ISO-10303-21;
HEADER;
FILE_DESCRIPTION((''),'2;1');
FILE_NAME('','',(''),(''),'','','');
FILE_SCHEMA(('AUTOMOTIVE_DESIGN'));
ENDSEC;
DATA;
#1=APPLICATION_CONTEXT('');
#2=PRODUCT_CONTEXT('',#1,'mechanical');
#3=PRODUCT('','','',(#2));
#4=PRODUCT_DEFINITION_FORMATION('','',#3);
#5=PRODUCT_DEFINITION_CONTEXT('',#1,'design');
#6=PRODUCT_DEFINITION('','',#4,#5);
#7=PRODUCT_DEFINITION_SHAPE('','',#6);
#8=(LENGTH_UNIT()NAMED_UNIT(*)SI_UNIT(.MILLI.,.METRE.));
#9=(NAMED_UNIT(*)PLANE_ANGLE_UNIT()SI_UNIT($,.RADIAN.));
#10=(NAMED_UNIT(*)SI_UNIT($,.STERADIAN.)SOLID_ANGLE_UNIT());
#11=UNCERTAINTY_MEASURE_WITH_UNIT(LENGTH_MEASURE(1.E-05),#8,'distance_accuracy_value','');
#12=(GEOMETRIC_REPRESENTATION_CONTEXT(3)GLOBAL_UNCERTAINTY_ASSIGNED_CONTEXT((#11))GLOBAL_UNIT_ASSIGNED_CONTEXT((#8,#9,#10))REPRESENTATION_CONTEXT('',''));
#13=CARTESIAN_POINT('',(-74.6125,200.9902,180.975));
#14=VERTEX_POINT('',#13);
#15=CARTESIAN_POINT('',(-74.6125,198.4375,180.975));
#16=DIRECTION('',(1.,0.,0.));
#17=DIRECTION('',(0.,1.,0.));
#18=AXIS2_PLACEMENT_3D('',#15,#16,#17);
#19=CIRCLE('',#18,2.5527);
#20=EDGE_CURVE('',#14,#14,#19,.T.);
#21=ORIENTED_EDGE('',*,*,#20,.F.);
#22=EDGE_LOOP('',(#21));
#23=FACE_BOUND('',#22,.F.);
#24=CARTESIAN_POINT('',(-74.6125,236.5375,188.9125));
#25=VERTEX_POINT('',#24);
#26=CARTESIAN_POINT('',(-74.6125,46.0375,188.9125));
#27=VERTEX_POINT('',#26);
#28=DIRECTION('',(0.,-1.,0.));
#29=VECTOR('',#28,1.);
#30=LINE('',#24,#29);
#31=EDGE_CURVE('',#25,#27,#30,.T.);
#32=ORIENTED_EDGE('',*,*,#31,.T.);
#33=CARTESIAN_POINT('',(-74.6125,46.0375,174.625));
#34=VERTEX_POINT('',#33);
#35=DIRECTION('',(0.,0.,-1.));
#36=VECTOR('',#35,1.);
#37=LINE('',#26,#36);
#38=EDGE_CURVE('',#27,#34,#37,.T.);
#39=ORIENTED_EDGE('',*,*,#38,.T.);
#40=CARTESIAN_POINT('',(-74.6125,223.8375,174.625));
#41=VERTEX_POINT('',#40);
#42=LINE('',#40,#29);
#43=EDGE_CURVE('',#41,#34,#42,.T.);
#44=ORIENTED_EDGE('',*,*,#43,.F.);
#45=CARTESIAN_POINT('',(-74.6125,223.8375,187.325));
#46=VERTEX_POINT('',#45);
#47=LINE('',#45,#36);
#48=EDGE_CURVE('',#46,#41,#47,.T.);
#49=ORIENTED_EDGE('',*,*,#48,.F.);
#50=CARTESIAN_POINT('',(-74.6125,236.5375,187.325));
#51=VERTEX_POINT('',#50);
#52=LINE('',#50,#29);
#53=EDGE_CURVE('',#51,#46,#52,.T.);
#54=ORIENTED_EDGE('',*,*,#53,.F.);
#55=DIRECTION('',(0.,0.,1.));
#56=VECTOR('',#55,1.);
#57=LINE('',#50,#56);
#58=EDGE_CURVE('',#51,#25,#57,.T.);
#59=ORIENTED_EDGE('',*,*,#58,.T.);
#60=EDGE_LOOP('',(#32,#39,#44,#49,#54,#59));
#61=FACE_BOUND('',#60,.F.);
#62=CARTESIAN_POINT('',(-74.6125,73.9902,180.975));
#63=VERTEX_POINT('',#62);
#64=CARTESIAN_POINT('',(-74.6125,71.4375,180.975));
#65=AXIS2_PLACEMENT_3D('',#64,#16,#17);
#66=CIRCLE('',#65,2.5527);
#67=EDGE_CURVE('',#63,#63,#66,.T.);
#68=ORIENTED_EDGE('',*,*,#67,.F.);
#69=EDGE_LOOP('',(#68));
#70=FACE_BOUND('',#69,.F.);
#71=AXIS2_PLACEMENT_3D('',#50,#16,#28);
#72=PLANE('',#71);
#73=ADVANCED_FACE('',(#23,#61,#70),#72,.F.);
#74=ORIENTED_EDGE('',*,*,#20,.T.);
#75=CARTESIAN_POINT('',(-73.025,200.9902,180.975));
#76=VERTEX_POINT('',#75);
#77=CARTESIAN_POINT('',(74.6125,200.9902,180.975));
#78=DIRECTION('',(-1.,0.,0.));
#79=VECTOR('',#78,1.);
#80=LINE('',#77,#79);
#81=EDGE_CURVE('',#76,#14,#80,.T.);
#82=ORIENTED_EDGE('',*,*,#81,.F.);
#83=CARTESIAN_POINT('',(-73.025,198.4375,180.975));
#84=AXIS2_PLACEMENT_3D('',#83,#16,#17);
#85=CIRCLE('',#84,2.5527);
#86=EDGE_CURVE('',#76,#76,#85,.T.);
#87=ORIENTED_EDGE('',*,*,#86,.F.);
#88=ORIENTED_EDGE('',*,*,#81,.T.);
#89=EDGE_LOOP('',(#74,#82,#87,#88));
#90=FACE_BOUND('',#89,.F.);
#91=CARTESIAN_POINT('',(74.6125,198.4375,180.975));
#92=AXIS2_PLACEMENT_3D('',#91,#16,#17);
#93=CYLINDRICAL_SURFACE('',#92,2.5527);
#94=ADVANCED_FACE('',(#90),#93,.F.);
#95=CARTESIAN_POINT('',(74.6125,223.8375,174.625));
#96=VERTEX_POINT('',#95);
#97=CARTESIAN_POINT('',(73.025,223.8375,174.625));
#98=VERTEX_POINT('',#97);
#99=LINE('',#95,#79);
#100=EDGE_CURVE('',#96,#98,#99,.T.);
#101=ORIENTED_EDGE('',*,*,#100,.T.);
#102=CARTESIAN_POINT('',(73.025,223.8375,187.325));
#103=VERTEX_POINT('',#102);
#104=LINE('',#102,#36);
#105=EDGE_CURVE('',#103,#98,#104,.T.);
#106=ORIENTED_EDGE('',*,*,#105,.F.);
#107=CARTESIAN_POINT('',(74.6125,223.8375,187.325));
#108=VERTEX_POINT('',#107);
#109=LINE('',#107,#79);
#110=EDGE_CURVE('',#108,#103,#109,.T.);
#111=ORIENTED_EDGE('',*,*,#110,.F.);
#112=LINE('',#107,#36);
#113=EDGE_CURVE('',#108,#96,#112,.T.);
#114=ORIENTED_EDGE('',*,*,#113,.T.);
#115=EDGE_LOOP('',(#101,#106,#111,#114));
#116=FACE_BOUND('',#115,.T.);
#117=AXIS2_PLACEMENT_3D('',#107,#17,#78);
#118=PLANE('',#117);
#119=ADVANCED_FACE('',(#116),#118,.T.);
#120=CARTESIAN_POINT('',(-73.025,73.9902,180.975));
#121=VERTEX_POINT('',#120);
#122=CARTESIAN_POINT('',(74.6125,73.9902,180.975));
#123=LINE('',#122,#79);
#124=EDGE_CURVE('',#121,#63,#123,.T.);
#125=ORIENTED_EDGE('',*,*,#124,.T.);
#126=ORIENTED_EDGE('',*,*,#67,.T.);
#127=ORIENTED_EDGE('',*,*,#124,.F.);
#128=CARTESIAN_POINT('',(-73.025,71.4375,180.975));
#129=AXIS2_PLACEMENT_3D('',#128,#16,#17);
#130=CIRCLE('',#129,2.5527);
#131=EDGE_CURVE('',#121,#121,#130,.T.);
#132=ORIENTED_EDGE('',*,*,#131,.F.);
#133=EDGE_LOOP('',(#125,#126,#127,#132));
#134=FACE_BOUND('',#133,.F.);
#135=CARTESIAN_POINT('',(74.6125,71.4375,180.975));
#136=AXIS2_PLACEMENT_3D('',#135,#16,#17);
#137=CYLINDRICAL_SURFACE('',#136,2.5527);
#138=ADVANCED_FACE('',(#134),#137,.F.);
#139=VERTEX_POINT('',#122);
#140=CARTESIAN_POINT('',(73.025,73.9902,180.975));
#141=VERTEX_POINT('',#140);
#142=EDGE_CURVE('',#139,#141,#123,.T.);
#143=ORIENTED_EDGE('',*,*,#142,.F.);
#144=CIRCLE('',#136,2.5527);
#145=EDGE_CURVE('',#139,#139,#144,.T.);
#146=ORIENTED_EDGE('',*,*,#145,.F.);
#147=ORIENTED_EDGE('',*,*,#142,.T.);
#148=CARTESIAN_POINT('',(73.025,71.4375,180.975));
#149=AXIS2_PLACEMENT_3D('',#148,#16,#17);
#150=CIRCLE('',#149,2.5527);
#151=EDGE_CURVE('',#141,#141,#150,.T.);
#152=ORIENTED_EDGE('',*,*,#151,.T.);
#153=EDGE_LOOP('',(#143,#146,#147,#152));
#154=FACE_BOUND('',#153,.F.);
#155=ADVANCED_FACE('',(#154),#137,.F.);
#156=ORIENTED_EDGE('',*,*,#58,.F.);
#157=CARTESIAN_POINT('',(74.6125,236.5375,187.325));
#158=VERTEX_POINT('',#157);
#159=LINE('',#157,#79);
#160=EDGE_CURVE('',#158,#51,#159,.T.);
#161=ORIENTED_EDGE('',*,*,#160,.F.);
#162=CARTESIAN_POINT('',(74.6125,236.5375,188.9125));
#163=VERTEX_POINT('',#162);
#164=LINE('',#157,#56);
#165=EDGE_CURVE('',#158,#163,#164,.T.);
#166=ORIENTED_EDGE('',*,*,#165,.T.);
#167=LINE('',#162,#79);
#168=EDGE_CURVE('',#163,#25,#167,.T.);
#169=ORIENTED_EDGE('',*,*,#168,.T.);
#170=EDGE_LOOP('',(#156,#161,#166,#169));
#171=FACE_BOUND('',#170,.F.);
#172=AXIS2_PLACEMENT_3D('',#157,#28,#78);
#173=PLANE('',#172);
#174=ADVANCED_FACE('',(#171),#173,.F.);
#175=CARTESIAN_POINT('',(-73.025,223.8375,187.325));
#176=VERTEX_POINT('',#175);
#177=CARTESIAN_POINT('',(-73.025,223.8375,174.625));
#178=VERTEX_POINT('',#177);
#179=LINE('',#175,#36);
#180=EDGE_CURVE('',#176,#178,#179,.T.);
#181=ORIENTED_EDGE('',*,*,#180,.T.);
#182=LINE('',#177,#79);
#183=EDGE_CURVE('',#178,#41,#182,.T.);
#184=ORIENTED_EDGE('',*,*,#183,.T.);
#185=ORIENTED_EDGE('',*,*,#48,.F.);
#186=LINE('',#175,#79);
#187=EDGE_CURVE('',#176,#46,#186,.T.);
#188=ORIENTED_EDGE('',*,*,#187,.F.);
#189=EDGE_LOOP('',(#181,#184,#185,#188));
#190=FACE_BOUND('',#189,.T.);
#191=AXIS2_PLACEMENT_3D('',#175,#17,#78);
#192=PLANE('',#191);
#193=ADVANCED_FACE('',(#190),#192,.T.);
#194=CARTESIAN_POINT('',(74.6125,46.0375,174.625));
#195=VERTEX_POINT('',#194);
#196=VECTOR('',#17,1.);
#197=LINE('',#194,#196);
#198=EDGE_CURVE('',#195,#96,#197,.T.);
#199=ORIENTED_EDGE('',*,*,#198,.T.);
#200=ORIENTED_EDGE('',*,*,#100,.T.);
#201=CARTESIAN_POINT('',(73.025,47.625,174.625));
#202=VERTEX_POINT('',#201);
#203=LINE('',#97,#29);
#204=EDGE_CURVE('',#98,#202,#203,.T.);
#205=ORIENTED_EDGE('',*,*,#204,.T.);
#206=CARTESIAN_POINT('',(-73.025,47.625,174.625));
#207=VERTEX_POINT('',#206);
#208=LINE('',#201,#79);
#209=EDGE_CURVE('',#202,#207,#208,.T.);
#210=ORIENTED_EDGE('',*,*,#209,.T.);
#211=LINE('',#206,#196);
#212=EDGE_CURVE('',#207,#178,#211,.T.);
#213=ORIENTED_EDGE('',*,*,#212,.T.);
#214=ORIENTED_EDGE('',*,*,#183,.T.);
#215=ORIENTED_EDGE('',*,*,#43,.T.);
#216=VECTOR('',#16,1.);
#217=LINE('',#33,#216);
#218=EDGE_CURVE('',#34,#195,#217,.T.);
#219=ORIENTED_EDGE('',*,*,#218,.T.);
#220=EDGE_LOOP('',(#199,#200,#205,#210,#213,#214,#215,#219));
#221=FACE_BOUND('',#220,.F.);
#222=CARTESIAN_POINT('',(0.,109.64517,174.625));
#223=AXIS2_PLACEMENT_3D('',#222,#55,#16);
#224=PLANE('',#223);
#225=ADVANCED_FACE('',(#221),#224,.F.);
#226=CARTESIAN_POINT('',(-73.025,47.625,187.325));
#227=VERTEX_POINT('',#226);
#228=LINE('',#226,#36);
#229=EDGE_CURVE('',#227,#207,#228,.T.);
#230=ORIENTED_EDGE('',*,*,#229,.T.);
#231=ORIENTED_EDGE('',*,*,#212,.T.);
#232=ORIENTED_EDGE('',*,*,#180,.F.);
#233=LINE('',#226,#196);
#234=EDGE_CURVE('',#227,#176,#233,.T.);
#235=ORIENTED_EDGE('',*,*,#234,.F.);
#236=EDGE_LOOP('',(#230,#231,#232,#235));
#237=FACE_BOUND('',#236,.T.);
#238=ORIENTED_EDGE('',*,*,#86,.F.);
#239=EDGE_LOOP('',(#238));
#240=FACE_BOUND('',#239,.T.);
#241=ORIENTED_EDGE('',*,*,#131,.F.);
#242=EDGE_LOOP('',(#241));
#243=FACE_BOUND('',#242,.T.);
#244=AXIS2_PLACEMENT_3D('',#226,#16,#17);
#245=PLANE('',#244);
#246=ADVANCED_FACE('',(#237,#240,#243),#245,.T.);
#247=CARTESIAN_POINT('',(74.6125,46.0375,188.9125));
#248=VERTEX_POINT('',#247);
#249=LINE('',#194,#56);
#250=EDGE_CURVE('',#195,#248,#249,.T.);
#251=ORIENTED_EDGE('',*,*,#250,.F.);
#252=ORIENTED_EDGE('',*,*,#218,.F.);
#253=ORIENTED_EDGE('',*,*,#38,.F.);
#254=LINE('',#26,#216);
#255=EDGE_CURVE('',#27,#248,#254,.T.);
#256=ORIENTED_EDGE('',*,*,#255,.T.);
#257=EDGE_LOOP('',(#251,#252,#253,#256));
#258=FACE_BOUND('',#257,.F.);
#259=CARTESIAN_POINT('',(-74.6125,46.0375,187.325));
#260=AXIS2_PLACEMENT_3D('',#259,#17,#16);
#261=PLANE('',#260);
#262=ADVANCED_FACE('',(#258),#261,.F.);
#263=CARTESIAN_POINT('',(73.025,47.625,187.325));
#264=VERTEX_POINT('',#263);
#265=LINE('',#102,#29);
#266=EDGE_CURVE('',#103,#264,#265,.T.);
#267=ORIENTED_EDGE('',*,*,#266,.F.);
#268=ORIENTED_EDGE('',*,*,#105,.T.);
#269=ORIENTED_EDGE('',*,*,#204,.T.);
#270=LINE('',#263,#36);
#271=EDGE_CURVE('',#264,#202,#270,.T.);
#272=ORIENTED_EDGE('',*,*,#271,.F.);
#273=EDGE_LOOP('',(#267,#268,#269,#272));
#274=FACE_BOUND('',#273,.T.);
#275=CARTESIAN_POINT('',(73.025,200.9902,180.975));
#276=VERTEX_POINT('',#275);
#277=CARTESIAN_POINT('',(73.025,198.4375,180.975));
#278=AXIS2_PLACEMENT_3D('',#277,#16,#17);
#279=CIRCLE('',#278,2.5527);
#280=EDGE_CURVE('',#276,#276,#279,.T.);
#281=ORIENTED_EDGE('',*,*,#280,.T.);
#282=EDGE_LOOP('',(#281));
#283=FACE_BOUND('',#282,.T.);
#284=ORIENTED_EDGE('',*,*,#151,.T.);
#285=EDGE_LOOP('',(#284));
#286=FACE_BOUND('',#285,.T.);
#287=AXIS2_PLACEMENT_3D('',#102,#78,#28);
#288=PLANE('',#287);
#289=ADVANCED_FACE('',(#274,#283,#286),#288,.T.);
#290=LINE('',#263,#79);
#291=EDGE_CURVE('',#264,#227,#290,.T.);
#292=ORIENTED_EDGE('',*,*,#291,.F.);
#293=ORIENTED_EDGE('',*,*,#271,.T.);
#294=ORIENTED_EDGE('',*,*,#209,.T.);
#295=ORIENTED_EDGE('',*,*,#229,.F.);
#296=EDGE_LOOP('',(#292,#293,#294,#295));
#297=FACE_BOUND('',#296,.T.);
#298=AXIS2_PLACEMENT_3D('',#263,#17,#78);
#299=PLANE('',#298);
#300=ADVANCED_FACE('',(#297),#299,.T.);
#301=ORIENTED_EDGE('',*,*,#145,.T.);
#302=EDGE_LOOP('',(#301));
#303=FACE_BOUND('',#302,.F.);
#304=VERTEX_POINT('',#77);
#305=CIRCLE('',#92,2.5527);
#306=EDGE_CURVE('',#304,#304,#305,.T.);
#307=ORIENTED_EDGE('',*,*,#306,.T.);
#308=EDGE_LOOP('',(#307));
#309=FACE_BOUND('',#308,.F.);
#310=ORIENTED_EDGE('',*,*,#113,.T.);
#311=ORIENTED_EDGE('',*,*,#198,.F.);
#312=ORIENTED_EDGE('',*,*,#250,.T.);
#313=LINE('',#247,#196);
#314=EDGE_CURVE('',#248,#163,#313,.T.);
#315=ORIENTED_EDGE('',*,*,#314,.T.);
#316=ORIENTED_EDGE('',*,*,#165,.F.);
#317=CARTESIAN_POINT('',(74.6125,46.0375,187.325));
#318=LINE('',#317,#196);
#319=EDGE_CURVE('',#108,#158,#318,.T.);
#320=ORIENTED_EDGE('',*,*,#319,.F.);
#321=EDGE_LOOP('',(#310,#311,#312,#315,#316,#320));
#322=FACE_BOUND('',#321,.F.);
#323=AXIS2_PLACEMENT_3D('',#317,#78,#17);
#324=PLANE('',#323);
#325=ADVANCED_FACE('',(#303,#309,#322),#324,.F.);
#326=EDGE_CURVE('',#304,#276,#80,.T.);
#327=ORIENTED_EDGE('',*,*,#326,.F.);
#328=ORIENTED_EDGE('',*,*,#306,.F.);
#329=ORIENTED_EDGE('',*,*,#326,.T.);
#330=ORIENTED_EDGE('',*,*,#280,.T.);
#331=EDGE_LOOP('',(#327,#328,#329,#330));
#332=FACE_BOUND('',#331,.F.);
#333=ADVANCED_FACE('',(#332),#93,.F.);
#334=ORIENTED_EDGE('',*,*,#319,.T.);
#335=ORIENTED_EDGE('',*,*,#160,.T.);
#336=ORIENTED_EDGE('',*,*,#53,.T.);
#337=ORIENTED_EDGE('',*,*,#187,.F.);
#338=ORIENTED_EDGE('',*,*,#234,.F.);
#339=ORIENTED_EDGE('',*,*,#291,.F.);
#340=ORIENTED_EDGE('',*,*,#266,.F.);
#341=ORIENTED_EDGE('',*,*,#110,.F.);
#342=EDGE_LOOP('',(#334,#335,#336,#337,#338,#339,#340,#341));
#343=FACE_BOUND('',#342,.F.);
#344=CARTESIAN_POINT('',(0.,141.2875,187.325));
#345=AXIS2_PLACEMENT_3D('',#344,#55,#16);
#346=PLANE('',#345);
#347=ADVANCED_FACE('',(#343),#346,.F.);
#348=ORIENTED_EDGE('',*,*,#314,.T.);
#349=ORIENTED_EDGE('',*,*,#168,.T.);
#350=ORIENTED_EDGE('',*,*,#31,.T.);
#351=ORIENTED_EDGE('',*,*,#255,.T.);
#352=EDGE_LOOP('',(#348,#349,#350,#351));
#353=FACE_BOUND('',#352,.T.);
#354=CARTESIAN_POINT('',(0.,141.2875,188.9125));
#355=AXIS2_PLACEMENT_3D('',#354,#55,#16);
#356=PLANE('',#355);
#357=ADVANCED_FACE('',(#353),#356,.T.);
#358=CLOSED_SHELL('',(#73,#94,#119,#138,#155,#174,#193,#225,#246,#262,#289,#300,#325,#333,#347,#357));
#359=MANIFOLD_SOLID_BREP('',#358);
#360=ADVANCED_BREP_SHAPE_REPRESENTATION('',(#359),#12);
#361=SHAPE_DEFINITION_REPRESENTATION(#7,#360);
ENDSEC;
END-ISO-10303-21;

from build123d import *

# Parameters (mm, degrees)
F3_DEPTH = 12.7
F5_DEPTH = 1.5875
F6_R     = 2.5527
F7_DEPTH = 149.226


with BuildPart() as f3:
    # F2 (on offset) → F3 (new body)
    with BuildSketch(Plane.XY.offset(187.325)):
        Polygon((-73.025, 47.625), (-73.025, 223.8375), (-74.6125, 223.8375), (-74.6125, 46.0375), (74.6125, 46.0375), (74.6125, 223.8375), (73.025, 223.8375), (73.025, 47.625), align=None)
    extrude(amount=-F3_DEPTH)

    # F4 (on face) → F5 (join)
    with BuildSketch(Plane.XY.offset(187.325)):
        Polygon((-74.6125, 46.0375), (74.6125, 46.0375), (74.6125, 223.8375), (74.6125, 236.5375), (-74.6125, 236.5375), (-74.6125, 223.8375), align=None)
    extrude(amount=F5_DEPTH)

    # F6 (on face) → F7 (cut, through all)
    with BuildSketch(Plane.YZ.offset(74.6125)):
        with Locations((71.4375, 180.975)):
            Circle(F6_R)
        with Locations((198.4375, 180.975)):
            Circle(F6_R)
    extrude(amount=-F7_DEPTH, mode=Mode.SUBTRACT)


solid = f3.part
